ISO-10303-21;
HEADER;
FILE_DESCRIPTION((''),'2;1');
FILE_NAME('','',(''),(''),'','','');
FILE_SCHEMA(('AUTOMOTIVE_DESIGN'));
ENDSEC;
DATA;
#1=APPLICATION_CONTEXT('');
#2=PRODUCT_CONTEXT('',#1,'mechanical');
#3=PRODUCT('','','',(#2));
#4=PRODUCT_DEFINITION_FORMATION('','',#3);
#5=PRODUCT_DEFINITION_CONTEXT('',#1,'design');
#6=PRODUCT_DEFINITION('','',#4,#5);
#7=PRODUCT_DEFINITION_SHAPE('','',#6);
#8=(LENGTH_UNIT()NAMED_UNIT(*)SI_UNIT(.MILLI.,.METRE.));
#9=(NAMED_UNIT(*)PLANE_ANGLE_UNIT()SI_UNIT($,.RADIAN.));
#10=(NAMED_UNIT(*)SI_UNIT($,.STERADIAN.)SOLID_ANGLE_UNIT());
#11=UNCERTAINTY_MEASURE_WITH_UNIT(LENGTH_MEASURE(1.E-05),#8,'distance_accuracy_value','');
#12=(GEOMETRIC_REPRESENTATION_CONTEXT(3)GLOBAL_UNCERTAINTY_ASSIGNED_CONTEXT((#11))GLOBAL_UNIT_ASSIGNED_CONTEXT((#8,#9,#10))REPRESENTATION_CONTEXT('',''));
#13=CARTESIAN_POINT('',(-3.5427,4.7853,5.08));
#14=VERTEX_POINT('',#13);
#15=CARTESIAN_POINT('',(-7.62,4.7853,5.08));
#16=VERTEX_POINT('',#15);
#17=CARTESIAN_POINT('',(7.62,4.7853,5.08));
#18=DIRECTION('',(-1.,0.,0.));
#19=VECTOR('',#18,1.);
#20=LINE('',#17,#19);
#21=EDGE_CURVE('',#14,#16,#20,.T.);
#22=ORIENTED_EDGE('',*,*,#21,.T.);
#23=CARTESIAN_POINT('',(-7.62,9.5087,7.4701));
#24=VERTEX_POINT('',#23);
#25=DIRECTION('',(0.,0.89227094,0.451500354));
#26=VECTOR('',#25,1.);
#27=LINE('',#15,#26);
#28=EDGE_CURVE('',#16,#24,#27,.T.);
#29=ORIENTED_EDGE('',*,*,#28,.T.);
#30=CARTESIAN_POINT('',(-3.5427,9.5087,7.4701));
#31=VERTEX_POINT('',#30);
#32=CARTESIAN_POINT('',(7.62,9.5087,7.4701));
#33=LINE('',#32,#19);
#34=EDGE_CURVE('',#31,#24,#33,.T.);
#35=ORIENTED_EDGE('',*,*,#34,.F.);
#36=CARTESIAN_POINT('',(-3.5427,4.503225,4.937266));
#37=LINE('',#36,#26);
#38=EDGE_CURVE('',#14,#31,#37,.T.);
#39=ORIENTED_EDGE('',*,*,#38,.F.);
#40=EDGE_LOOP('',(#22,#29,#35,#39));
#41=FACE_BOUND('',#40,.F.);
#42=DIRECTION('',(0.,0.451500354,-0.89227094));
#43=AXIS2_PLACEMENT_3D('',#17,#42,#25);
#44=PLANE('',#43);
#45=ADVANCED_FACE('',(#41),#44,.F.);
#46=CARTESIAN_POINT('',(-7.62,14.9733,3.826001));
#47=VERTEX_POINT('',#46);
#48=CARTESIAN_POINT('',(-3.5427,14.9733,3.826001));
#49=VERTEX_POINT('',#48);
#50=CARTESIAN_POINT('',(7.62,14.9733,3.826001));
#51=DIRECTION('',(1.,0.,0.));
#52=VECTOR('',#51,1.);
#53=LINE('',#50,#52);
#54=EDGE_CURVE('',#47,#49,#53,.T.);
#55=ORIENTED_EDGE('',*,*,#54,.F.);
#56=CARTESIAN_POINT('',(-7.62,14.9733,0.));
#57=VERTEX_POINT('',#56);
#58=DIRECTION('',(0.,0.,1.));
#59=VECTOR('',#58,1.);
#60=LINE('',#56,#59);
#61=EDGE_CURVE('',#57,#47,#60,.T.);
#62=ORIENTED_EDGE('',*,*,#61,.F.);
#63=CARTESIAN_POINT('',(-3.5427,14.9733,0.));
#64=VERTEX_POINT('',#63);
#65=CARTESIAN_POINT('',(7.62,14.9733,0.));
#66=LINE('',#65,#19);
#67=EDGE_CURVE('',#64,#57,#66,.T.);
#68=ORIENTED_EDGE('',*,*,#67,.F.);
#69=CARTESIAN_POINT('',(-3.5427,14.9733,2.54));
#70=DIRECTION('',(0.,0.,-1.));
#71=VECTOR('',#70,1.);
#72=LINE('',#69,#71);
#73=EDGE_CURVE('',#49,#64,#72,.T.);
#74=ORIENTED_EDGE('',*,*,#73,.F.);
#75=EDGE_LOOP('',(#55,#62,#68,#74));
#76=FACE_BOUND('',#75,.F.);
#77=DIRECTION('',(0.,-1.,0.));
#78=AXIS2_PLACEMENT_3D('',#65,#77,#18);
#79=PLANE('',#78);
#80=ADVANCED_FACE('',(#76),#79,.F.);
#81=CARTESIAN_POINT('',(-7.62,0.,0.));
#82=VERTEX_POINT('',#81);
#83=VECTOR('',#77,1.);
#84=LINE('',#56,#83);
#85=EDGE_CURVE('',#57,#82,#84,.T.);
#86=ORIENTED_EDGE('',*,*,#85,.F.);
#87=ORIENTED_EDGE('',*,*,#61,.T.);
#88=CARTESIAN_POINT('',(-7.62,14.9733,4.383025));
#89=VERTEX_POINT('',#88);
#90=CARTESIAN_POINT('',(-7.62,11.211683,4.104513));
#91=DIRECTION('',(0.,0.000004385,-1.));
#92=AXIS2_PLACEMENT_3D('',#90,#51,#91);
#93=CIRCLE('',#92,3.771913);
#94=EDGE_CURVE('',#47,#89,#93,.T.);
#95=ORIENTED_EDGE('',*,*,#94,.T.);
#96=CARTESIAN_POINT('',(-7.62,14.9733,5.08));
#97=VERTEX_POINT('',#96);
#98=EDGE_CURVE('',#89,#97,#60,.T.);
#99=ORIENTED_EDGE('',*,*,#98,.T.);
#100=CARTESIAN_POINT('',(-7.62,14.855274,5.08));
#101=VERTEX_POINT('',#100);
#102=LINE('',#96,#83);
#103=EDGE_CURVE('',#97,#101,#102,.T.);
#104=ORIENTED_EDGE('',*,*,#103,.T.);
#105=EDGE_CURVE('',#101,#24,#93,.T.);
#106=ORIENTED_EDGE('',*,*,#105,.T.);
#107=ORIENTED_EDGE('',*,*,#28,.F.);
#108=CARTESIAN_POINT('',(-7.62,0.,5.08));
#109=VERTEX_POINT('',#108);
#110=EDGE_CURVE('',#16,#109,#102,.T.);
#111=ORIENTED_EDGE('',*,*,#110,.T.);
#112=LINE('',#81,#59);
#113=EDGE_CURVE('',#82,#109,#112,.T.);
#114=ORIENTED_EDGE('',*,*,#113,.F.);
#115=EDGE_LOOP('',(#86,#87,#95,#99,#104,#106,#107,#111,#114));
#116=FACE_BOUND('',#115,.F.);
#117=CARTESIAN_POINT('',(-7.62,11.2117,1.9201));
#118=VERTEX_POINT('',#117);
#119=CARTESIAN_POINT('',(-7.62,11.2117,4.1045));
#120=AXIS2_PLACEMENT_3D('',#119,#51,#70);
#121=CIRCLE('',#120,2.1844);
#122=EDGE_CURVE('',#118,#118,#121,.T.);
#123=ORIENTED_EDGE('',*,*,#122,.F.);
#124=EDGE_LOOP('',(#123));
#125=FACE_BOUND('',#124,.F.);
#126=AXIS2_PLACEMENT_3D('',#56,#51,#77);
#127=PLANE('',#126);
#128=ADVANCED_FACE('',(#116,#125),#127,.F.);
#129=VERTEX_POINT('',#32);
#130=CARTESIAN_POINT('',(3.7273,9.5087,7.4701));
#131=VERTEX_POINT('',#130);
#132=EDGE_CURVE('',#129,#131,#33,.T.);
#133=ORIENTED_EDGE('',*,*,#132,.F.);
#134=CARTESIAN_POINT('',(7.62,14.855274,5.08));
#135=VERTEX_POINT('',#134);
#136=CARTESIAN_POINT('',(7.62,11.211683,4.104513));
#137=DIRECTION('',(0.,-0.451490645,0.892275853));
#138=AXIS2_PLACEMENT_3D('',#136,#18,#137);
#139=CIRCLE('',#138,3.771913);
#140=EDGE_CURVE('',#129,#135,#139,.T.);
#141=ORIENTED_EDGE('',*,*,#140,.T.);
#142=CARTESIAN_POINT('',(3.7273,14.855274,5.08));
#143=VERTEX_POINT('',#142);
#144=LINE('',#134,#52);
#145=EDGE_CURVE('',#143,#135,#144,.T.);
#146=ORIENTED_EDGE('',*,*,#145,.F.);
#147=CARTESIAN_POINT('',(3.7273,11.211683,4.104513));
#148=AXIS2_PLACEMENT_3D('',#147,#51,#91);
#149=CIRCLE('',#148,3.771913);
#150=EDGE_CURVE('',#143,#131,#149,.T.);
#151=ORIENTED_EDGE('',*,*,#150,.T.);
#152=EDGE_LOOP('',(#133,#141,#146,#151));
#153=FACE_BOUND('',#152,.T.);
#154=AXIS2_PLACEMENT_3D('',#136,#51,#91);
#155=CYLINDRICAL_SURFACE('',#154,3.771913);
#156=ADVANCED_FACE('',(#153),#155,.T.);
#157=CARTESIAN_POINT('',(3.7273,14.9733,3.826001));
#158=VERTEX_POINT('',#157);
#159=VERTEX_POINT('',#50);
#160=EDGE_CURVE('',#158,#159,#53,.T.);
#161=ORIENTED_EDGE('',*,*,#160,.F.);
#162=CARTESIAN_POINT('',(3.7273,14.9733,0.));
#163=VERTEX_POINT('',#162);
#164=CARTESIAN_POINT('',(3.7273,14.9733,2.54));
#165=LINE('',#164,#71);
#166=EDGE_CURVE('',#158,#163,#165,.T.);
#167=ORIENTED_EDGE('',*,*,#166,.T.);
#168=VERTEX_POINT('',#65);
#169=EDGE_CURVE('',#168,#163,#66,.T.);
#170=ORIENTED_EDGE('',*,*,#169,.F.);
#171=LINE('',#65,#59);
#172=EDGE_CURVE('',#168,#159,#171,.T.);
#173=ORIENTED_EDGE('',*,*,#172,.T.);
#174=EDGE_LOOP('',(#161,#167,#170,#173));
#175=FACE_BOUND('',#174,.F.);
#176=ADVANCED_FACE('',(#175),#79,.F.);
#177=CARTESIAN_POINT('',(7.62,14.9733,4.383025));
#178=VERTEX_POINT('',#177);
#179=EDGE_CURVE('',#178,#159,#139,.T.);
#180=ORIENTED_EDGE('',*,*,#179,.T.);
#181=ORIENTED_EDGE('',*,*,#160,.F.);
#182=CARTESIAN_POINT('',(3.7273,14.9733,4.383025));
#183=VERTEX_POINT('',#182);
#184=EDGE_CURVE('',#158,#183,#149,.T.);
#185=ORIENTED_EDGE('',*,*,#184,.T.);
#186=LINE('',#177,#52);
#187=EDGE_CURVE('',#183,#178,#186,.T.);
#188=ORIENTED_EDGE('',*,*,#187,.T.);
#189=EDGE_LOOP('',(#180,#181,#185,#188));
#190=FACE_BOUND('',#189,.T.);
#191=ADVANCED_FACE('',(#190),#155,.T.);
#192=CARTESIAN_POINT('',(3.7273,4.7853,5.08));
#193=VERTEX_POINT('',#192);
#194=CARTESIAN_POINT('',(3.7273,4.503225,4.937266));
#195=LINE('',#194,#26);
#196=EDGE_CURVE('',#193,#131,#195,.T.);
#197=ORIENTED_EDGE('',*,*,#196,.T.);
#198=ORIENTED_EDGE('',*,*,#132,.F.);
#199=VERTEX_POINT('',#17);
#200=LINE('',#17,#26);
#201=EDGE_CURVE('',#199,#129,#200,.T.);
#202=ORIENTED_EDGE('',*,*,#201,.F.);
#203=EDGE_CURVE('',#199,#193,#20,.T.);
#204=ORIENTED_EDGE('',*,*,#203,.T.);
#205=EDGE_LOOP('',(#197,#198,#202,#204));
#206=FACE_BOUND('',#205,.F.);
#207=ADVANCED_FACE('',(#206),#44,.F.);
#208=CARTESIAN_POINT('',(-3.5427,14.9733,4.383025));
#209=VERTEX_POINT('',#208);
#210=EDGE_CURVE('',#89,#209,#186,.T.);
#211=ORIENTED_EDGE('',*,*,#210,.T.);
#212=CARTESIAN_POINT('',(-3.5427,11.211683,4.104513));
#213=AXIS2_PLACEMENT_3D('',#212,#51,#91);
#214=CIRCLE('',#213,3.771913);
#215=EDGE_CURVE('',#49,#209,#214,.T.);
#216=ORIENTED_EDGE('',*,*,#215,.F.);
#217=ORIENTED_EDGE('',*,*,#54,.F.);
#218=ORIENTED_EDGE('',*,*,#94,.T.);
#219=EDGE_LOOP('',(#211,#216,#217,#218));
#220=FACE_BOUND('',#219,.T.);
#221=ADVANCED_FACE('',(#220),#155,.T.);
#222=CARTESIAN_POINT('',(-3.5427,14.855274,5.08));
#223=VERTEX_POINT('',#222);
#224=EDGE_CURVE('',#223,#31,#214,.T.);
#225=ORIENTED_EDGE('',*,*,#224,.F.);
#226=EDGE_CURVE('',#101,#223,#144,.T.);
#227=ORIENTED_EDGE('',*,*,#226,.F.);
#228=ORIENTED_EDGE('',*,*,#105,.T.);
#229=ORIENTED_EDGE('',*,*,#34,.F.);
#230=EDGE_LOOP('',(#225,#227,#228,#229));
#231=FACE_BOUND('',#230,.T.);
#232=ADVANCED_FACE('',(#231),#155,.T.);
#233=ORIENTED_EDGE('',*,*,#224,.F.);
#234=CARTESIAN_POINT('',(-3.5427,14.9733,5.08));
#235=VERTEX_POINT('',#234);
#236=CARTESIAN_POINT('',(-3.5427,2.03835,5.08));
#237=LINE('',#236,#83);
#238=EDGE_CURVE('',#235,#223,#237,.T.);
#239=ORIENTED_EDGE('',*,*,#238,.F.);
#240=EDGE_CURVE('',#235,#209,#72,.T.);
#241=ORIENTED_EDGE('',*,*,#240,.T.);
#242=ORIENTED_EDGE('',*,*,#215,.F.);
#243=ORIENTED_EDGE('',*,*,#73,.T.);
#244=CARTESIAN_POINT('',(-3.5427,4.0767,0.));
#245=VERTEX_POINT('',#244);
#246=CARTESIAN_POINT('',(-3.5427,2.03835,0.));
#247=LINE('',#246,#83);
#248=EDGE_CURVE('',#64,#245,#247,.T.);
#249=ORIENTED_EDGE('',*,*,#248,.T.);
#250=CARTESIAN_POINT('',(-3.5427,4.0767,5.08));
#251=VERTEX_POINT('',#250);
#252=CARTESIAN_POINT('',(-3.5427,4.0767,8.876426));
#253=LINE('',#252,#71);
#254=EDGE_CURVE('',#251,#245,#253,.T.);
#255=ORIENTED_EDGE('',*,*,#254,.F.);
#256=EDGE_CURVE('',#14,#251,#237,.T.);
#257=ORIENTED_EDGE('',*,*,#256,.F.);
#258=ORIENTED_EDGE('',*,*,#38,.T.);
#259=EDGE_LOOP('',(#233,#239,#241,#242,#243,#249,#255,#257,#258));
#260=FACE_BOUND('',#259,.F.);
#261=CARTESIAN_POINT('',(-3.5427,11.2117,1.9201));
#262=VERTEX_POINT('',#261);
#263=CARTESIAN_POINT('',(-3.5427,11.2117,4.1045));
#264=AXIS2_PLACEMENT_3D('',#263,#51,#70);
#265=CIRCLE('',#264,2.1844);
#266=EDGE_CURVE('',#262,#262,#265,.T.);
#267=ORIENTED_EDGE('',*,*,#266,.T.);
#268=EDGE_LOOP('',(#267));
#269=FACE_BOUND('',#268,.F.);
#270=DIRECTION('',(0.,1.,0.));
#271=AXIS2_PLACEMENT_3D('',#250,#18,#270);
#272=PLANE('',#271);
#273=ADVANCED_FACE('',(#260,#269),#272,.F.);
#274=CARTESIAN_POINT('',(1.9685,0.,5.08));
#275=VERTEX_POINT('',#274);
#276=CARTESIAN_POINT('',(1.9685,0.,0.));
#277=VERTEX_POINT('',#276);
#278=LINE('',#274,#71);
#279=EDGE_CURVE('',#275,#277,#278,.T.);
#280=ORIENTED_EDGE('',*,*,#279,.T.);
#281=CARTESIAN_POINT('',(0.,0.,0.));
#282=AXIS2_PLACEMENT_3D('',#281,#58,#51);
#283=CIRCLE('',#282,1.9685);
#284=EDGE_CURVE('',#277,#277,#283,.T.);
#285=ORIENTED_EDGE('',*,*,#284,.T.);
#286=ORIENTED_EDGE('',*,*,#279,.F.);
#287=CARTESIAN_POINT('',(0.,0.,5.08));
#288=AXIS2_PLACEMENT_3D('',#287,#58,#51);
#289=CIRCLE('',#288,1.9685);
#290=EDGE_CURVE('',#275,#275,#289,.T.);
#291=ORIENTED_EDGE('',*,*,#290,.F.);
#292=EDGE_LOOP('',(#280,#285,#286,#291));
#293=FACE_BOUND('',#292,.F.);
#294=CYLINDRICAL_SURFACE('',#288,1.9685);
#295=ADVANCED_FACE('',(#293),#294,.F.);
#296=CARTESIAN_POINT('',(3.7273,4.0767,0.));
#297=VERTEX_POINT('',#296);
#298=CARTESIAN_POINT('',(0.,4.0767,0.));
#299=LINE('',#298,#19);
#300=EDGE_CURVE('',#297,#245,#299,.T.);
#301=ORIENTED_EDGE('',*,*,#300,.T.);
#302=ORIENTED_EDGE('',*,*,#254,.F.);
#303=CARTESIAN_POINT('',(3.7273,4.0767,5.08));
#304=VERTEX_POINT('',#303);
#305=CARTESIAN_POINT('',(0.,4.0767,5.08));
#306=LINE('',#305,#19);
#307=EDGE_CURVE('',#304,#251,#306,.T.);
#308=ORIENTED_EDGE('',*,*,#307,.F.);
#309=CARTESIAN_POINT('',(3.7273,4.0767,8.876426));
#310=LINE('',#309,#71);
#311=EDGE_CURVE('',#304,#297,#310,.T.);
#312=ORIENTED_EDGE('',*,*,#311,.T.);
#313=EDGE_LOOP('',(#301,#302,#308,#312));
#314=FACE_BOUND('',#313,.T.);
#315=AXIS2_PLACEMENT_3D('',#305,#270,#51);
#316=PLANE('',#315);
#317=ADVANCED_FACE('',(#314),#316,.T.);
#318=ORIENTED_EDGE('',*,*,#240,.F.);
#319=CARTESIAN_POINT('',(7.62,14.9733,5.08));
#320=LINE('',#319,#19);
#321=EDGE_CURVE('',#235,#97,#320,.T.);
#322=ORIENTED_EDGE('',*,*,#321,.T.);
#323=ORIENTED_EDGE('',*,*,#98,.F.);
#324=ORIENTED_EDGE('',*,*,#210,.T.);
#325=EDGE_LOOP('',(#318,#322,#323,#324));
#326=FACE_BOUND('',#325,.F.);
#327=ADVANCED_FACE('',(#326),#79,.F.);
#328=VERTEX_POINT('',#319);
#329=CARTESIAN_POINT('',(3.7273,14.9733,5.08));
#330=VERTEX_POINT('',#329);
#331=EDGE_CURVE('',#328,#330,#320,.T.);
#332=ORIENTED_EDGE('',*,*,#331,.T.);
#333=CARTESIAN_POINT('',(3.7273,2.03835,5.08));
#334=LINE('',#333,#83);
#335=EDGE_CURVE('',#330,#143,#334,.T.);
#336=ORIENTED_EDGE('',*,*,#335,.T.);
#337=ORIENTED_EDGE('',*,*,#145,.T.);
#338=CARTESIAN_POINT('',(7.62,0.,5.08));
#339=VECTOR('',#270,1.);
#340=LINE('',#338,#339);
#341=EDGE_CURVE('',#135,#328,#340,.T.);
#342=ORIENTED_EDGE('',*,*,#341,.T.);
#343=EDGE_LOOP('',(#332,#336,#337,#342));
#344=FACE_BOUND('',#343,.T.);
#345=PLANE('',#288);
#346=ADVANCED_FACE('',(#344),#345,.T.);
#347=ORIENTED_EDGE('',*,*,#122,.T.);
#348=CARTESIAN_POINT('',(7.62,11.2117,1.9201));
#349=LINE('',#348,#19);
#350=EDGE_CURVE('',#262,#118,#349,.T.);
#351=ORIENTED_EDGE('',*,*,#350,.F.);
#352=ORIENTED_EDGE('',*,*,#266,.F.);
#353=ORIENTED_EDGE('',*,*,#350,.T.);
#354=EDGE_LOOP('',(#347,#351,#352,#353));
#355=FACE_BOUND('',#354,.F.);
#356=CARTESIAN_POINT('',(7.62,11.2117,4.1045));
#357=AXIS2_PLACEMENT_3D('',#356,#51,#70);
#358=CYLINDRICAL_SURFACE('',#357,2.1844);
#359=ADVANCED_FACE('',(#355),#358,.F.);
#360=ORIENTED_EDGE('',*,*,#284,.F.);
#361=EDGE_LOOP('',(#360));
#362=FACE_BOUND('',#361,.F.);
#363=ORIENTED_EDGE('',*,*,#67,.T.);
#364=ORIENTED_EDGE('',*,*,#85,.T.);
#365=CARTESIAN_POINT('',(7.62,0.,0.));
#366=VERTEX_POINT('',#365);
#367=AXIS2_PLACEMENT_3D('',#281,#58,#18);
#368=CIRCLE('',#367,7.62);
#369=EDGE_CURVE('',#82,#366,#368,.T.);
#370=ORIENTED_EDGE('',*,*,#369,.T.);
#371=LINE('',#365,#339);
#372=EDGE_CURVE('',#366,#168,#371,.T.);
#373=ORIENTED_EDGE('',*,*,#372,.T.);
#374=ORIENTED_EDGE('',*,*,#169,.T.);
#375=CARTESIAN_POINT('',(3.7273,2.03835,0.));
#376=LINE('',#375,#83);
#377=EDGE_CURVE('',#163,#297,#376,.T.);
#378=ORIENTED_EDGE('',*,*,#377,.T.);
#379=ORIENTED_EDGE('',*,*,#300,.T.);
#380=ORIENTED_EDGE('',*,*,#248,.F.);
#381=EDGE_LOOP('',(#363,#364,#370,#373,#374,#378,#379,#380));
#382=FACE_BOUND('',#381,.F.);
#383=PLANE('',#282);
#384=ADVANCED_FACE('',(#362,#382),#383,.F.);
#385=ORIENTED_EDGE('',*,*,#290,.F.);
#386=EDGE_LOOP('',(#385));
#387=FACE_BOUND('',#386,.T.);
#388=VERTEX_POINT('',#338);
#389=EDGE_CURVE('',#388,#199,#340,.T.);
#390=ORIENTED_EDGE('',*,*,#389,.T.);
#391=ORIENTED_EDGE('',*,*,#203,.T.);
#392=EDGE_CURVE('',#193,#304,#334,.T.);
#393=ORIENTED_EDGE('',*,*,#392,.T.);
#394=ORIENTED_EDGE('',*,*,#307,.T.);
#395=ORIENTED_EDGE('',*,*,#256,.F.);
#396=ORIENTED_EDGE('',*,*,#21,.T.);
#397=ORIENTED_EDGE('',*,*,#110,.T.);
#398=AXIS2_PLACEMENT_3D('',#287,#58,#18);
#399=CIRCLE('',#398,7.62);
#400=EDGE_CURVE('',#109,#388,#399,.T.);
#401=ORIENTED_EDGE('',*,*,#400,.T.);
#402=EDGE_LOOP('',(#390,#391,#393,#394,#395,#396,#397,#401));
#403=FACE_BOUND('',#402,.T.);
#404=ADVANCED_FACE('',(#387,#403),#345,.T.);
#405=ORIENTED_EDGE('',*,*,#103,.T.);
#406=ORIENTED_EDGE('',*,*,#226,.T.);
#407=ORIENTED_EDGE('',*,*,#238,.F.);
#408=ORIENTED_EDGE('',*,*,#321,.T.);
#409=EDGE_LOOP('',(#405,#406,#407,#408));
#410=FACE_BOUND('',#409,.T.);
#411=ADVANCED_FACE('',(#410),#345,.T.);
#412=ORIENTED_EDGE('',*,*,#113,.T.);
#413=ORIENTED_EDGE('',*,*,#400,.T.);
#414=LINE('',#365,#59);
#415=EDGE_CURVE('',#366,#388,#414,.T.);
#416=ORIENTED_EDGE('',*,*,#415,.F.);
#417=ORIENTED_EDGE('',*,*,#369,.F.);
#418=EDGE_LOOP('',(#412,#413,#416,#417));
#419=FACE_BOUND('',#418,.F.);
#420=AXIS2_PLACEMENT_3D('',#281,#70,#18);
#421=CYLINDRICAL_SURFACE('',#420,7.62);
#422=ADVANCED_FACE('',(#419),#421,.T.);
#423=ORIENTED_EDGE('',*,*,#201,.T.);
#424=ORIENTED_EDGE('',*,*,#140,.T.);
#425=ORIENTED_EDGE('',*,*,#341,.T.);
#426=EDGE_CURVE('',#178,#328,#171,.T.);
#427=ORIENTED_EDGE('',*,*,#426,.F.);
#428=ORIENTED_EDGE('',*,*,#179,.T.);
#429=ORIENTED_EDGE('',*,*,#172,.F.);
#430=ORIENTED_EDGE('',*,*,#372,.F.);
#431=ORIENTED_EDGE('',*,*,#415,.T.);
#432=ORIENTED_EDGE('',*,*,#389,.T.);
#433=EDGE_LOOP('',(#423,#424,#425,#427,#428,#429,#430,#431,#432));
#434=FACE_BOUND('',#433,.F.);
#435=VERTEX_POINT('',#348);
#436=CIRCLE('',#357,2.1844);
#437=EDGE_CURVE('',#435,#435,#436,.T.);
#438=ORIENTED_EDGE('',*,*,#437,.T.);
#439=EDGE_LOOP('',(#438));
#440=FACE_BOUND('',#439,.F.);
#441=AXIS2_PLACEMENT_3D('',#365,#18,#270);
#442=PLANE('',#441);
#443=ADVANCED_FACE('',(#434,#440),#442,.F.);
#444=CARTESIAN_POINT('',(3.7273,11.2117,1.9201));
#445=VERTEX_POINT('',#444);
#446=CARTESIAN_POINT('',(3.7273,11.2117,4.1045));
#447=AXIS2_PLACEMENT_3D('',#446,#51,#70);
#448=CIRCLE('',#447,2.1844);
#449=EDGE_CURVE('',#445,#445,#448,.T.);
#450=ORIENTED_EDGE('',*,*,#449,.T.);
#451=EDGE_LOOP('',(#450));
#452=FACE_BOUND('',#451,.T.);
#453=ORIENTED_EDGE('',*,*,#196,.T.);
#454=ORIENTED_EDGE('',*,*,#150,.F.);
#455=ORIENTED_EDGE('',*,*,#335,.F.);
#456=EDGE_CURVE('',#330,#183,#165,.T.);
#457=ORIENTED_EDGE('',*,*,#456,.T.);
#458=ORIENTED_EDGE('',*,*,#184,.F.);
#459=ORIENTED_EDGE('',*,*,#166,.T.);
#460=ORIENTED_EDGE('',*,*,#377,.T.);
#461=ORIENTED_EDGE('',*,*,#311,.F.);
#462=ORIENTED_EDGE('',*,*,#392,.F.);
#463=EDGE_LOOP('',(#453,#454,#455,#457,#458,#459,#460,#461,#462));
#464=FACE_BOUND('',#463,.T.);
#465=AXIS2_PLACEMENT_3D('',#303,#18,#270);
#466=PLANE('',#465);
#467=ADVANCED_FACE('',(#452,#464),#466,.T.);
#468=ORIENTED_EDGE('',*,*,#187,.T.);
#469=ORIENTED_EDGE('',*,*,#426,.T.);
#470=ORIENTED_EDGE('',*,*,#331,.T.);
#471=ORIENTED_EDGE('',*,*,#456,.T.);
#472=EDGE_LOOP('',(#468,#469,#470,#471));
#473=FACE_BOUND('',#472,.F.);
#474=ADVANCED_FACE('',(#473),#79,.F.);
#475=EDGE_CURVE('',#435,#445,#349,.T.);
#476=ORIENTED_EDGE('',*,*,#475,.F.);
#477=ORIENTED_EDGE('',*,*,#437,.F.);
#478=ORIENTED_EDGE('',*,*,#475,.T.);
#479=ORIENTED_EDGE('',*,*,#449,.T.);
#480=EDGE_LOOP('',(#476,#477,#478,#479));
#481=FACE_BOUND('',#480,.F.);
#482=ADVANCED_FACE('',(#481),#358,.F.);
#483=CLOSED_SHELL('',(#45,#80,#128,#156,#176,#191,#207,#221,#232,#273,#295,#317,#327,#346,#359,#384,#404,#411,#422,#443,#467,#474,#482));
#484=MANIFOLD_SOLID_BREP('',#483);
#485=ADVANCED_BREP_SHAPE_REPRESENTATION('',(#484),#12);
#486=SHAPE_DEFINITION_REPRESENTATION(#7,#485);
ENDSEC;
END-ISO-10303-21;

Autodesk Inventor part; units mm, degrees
ref_plane "YZ Plane" through (0, 0, 0) normal (1, 0, 0) x (0, 1, 0)
ref_plane "XZ Plane" through (0, 0, 0) normal (0, 1, 0) x (-1, 0, 0)
sketch "Sketch1" plane through (0, 0, 0) normal (0, 0, 1) x (1, 0, 0)
  arc A0 (-7.62, 0) -> (7.62, 0) centre (0, 0) ccw
  line L0 (1.0603, 17.7117) -> (-0.8757, 17.7117) construction
  line L1 (-7.62, 0) -> (7.62, 0)
  line L2 (7.62, 0) -> (7.62, 14.9733)
  line L3 (7.62, 14.9733) -> (-7.62, 14.9733)
  line L4 (-7.62, 14.9733) -> (-7.62, 0)
  dimension "d0" = 15.24
  dimension "d6" = 14.9733
ref_plane "Work Plane1" through (-4.0767, -4.0767, 5.08) normal (0, 0, -1) x (0, 1, 0)
extrude "Extrusion1" add sketch "Sketch1" along normal up to surface (5.08 mm away)
sketch "Sketch2" plane through (7.62, 0, 0) normal (1, 0, 0) x (0, 0, -1)
  circle A0 centre (-4.1045, 11.2117) radius 2 construction
  arc A1 (-0.3326, 11.2117) -> (-7.4701, 9.5087) centre (-4.1045, 11.2117) ccw
  circle A2 centre (-4.1045, 11.2117) radius 6.5 construction
  line L0 (-5.08, 0) -> (-5.08, 14.9733) projected
  line L1 (-5.08, 4.7853) -> (-7.4701, 9.5087)
  line L2 (-5.08, 4.7853) -> (-0.3326, 4.7853)
  line L3 (-0.3326, 4.7853) -> (-0.3326, 11.2117)
  point P0 (0, 0)
  dimension "d3" = 7.5438
extrude "Extrusion2" add sketch "Sketch2" against normal up to surface (15.24 mm away)
sketch "Sketch3" plane through (0, 0, 5.08) normal (0, 0, 1) x (1, 0, 0)
  circle A0 centre (0, 0) radius 4.0767 construction
  line L0 (3.0923, 15.6797) -> (3.0923, 6.7437) construction
  line L1 (-2.9077, 6.7437) -> (-2.9077, 15.6797) construction
  line L2 (3.7273, 15.6797) -> (3.7273, 6.7437) construction
  line L3 (-3.5427, 6.7437) -> (-3.5427, 15.6797) construction
  line L4 (7.62, 14.9733) -> (-7.62, 14.9733) projected
  line L5 (0, 4.0767) -> (3.7273, 4.0767)
  line L6 (3.7273, 4.0767) -> (3.7273, 14.9733)
  line L7 (0, 4.0767) -> (-3.5427, 4.0767)
  line L8 (-3.5427, 4.0767) -> (-3.5427, 14.9733)
  line L9 (3.7273, 15.2774) -> (-3.5427, 15.2774)
  line L10 (-3.5427, 14.9733) -> (-3.5427, 15.2774)
  line L11 (3.7273, 14.9733) -> (3.7273, 15.2774)
  dimension "d7" = 0.635
  dimension "d8" = 0.635
extrude "Extrusion3" cut sketch "Sketch3" along normal through all both and the other way through all
sketch "Sketch4" plane through (7.62, 0, 0) normal (1, 0, 0) x (0, 0, -1)
  arc A0 (-5.08, 14.8553) -> (-7.4701, 9.5087) centre (-4.1045, 11.2117) ccw construction
  circle A1 centre (-4.1045, 11.2117) radius 2.1844
  point P0 (0, 0)
  point P1 (-5.08, 7.5681)
  dimension "d11" = 4.3688
extrude "Extrusion4" cut sketch "Sketch4" against normal through all
sketch "Sketch5" plane through (0, 0, 5.08) normal (0, 0, 1) x (1, 0, 0)
  circle A0 centre (0, 0) radius 1.9685
  dimension "d14" = 3.937
extrude "Extrusion5" cut sketch "Sketch5" against normal through all
equation "\"d12\" = d11"
properties part number "omni wheel short low channel mount"
